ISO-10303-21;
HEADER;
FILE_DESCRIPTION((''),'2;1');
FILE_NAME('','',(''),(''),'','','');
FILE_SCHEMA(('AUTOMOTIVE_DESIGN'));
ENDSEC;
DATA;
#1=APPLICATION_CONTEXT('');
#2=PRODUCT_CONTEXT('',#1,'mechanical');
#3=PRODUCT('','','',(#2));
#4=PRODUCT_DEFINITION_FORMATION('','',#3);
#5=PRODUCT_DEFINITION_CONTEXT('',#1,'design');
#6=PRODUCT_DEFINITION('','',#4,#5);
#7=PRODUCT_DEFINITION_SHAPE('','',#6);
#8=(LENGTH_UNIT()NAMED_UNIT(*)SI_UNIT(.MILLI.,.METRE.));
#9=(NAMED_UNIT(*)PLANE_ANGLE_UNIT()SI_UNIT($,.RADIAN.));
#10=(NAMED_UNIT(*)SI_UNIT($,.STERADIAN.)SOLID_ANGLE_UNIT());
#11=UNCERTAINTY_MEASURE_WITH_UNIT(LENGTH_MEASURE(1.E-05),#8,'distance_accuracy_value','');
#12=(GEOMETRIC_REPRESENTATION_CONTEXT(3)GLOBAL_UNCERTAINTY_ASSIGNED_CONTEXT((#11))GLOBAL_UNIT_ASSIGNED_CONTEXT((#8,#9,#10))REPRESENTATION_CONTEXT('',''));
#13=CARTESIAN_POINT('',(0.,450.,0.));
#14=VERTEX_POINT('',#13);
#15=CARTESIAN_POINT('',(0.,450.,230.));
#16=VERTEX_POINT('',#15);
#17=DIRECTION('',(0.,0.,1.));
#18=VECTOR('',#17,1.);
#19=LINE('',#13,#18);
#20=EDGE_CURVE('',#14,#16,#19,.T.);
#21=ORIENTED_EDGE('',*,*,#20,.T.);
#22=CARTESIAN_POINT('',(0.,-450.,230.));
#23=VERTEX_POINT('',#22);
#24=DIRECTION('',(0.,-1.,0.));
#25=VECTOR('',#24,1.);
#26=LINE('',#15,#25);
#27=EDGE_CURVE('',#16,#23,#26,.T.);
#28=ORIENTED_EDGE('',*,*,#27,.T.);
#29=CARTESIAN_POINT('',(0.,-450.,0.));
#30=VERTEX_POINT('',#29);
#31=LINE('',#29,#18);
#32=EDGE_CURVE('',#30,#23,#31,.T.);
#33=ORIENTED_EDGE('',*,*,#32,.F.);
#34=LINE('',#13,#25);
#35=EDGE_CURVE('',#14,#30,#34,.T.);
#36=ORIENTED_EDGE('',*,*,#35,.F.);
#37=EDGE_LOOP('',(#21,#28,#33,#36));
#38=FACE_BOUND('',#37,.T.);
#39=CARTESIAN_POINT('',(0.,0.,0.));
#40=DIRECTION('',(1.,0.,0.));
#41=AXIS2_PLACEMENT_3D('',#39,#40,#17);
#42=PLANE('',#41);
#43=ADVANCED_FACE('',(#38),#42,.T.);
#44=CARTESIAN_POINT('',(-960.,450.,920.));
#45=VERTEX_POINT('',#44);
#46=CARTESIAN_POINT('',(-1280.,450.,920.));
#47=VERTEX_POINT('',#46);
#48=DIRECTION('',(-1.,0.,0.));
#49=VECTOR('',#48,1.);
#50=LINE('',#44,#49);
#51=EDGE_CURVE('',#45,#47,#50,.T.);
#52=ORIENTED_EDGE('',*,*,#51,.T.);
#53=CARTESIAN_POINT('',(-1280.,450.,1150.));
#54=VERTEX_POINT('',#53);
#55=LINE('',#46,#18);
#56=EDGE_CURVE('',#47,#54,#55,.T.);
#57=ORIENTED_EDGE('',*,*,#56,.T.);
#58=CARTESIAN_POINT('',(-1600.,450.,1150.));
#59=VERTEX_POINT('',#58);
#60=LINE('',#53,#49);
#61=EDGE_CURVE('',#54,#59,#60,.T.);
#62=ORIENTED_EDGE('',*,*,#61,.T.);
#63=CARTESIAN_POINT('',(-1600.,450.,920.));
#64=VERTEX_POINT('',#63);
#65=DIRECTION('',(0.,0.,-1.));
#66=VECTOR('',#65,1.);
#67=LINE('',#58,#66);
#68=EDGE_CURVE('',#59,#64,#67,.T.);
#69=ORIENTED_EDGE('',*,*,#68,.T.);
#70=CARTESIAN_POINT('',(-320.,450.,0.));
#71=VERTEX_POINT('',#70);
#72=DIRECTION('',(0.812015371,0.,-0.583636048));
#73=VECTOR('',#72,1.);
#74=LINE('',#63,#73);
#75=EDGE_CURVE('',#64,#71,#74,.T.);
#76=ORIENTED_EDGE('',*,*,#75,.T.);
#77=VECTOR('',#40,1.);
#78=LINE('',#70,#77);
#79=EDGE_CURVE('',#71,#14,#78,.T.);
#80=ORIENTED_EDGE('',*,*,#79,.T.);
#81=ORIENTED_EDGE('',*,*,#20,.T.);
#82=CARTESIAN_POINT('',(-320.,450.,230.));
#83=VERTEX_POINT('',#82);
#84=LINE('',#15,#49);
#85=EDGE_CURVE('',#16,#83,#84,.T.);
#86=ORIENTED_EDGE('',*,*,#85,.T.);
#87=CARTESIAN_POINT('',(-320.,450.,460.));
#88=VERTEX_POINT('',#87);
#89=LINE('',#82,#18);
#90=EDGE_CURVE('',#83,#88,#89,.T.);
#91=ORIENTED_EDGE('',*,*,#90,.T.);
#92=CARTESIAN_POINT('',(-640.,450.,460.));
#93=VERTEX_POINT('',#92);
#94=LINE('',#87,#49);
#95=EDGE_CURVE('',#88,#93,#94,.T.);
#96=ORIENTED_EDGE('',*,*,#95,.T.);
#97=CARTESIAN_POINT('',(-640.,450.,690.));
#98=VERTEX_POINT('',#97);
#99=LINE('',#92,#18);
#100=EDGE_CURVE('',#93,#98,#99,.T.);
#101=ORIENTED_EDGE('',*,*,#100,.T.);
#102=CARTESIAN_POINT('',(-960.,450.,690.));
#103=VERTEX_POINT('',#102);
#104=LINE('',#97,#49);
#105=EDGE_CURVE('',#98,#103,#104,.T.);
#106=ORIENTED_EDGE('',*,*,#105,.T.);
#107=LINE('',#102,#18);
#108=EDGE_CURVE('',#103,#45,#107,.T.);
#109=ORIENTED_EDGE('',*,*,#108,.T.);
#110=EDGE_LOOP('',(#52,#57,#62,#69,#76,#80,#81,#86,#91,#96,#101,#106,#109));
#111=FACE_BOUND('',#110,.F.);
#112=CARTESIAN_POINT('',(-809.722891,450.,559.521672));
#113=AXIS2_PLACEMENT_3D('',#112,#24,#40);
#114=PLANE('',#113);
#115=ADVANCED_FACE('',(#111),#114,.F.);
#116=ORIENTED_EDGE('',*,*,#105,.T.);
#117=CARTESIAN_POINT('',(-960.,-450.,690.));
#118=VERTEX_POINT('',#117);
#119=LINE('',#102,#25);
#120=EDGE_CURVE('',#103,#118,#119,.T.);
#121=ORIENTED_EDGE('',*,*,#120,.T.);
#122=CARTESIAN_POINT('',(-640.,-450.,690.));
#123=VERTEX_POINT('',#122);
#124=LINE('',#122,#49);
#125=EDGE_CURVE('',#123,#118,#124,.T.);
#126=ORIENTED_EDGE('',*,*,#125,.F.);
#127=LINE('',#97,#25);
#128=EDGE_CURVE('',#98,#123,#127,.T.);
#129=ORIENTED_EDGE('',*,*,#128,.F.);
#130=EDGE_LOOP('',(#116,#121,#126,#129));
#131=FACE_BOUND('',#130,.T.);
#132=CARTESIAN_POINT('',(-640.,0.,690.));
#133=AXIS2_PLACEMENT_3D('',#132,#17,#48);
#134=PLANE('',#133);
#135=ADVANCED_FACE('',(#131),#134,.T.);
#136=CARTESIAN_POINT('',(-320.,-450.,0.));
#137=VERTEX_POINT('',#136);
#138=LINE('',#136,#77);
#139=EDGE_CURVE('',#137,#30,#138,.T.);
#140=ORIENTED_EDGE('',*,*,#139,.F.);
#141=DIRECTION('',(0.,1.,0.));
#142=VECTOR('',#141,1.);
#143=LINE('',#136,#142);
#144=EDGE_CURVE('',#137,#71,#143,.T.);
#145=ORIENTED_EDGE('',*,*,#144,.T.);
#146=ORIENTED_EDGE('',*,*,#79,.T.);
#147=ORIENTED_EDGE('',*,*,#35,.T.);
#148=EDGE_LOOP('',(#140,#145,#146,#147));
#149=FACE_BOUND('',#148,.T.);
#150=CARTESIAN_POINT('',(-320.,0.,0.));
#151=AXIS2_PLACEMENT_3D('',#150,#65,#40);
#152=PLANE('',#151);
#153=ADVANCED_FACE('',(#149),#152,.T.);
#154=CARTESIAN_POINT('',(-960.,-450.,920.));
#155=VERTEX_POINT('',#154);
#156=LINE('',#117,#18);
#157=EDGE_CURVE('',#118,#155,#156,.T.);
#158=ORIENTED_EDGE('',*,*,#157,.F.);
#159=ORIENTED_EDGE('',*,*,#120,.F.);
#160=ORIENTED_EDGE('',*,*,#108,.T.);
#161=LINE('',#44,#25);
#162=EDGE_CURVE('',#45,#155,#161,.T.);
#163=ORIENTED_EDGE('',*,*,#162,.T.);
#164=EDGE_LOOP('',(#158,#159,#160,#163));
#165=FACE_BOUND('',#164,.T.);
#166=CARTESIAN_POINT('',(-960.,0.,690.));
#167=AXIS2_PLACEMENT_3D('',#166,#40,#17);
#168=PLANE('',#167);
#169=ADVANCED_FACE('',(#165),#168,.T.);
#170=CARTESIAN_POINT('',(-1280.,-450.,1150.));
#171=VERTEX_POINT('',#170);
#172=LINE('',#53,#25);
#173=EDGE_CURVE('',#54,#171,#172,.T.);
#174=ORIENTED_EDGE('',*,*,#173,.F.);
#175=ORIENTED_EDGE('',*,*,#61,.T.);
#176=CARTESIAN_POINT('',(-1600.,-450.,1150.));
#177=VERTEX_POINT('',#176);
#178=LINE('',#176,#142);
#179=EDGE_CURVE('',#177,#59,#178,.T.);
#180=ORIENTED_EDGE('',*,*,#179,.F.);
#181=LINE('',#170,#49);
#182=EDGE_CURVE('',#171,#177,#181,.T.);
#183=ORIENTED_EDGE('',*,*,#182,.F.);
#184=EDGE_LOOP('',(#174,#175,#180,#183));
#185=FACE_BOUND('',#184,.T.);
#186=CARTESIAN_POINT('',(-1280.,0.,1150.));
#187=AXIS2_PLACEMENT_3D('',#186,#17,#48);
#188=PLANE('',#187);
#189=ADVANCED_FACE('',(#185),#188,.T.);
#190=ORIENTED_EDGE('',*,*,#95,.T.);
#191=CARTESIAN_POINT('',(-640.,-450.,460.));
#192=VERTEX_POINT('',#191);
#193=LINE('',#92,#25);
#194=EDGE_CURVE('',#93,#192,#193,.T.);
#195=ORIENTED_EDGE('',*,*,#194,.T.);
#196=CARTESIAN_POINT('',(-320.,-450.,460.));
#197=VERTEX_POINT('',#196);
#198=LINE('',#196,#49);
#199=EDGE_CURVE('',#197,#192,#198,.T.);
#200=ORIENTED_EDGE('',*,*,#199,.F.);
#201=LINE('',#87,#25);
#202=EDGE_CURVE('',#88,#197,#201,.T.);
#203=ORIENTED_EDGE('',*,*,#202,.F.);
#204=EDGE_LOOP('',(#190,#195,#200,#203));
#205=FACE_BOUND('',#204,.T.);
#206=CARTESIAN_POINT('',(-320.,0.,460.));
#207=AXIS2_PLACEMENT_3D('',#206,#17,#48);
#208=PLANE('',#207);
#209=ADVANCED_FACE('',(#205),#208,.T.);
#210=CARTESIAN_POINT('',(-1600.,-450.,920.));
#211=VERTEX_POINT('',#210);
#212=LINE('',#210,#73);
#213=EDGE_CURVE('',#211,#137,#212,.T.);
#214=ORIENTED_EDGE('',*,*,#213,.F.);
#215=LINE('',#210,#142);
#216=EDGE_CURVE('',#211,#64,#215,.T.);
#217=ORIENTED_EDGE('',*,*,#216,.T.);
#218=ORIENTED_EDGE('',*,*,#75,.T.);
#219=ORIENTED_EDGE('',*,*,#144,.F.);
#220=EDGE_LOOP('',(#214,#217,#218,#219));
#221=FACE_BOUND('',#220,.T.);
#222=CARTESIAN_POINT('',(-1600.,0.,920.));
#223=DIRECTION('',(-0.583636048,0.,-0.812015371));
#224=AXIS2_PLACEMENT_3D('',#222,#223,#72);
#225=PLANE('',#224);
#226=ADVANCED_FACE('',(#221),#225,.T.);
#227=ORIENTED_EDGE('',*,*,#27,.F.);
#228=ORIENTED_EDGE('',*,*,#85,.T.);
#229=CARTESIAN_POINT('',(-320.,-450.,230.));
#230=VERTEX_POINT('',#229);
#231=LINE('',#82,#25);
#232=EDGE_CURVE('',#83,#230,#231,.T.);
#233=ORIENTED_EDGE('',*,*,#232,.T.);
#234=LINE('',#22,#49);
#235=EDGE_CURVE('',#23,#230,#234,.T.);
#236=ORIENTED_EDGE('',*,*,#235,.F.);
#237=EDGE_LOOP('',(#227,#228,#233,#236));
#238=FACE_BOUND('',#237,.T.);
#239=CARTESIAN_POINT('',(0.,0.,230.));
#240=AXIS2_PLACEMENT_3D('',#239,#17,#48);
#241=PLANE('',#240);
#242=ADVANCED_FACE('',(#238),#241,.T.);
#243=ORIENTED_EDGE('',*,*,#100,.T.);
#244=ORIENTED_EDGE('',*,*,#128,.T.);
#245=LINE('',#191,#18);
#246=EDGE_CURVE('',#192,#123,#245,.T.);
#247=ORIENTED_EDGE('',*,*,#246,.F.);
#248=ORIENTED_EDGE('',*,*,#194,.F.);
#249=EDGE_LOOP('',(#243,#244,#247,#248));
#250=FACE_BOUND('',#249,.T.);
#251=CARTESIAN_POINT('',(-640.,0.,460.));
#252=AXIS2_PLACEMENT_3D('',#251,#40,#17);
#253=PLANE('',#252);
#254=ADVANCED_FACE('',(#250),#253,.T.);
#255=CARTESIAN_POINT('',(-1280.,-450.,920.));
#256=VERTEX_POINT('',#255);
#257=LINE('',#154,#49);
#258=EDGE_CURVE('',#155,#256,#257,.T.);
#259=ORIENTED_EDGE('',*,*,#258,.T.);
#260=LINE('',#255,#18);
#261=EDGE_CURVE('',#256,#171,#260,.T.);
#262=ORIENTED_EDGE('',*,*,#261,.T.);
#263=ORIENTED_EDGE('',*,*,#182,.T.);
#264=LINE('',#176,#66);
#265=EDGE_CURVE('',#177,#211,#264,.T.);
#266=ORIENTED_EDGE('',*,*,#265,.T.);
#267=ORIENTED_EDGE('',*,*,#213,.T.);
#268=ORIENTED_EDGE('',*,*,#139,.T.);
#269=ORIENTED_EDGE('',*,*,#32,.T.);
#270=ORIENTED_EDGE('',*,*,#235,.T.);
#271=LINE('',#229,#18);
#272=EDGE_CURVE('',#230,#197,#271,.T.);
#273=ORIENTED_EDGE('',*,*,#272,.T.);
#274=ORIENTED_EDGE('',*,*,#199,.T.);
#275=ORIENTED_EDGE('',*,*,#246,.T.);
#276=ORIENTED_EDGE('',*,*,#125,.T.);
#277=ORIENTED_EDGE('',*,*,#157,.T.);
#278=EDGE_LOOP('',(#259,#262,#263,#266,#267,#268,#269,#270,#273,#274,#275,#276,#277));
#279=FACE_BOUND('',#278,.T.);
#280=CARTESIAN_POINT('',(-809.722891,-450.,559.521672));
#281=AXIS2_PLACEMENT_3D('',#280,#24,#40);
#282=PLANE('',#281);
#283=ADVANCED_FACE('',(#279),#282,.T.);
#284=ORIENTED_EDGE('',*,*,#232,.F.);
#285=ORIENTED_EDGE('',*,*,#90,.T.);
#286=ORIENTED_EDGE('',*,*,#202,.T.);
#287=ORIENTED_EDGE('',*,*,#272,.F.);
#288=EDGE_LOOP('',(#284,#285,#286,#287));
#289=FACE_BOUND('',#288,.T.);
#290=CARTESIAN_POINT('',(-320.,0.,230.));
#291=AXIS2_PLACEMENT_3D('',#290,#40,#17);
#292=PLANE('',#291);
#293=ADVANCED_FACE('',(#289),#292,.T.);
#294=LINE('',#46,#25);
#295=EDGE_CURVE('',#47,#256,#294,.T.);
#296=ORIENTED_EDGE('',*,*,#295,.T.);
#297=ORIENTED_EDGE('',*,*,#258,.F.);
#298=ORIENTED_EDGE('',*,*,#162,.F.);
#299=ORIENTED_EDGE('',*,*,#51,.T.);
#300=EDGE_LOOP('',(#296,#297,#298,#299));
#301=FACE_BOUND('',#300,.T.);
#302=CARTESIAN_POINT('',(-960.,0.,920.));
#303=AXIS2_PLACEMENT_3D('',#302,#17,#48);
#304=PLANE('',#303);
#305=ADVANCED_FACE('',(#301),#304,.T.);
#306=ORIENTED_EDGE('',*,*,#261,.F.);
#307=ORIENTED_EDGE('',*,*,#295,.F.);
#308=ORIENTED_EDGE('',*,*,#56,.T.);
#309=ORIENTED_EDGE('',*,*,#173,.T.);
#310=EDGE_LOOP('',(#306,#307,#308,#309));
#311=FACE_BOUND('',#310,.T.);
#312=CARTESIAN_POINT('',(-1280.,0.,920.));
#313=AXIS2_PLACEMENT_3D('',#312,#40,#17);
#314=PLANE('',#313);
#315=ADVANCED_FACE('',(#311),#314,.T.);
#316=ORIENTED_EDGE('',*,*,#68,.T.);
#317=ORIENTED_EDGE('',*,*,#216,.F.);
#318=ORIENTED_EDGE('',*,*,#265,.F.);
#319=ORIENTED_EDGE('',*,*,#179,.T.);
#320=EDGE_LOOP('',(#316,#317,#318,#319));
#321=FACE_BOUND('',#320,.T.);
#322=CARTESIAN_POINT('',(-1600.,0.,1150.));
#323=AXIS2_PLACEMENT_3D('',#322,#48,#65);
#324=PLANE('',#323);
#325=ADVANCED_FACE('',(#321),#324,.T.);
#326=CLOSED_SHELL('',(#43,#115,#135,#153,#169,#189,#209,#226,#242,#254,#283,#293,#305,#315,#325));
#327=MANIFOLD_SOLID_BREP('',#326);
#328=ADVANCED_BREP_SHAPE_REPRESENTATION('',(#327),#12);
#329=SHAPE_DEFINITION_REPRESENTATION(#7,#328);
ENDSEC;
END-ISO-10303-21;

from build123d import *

# Parameters (mm, degrees)
F1_DEPTH = 450


with BuildPart() as f1:
    # F0 (on Front) → F1 (new body, symmetric)
    with BuildSketch(Plane.XZ):
        Polygon((-320, 0), (0, 0), (0, 230), (-320, 230), (-320, 460), (-640, 460), (-640, 690), (-960, 690), (-960, 920), (-1280, 920), (-1280, 1150), (-1600, 1150), (-1600, 920), align=None)
    extrude(amount=F1_DEPTH, both=True)


solid = f1.part
